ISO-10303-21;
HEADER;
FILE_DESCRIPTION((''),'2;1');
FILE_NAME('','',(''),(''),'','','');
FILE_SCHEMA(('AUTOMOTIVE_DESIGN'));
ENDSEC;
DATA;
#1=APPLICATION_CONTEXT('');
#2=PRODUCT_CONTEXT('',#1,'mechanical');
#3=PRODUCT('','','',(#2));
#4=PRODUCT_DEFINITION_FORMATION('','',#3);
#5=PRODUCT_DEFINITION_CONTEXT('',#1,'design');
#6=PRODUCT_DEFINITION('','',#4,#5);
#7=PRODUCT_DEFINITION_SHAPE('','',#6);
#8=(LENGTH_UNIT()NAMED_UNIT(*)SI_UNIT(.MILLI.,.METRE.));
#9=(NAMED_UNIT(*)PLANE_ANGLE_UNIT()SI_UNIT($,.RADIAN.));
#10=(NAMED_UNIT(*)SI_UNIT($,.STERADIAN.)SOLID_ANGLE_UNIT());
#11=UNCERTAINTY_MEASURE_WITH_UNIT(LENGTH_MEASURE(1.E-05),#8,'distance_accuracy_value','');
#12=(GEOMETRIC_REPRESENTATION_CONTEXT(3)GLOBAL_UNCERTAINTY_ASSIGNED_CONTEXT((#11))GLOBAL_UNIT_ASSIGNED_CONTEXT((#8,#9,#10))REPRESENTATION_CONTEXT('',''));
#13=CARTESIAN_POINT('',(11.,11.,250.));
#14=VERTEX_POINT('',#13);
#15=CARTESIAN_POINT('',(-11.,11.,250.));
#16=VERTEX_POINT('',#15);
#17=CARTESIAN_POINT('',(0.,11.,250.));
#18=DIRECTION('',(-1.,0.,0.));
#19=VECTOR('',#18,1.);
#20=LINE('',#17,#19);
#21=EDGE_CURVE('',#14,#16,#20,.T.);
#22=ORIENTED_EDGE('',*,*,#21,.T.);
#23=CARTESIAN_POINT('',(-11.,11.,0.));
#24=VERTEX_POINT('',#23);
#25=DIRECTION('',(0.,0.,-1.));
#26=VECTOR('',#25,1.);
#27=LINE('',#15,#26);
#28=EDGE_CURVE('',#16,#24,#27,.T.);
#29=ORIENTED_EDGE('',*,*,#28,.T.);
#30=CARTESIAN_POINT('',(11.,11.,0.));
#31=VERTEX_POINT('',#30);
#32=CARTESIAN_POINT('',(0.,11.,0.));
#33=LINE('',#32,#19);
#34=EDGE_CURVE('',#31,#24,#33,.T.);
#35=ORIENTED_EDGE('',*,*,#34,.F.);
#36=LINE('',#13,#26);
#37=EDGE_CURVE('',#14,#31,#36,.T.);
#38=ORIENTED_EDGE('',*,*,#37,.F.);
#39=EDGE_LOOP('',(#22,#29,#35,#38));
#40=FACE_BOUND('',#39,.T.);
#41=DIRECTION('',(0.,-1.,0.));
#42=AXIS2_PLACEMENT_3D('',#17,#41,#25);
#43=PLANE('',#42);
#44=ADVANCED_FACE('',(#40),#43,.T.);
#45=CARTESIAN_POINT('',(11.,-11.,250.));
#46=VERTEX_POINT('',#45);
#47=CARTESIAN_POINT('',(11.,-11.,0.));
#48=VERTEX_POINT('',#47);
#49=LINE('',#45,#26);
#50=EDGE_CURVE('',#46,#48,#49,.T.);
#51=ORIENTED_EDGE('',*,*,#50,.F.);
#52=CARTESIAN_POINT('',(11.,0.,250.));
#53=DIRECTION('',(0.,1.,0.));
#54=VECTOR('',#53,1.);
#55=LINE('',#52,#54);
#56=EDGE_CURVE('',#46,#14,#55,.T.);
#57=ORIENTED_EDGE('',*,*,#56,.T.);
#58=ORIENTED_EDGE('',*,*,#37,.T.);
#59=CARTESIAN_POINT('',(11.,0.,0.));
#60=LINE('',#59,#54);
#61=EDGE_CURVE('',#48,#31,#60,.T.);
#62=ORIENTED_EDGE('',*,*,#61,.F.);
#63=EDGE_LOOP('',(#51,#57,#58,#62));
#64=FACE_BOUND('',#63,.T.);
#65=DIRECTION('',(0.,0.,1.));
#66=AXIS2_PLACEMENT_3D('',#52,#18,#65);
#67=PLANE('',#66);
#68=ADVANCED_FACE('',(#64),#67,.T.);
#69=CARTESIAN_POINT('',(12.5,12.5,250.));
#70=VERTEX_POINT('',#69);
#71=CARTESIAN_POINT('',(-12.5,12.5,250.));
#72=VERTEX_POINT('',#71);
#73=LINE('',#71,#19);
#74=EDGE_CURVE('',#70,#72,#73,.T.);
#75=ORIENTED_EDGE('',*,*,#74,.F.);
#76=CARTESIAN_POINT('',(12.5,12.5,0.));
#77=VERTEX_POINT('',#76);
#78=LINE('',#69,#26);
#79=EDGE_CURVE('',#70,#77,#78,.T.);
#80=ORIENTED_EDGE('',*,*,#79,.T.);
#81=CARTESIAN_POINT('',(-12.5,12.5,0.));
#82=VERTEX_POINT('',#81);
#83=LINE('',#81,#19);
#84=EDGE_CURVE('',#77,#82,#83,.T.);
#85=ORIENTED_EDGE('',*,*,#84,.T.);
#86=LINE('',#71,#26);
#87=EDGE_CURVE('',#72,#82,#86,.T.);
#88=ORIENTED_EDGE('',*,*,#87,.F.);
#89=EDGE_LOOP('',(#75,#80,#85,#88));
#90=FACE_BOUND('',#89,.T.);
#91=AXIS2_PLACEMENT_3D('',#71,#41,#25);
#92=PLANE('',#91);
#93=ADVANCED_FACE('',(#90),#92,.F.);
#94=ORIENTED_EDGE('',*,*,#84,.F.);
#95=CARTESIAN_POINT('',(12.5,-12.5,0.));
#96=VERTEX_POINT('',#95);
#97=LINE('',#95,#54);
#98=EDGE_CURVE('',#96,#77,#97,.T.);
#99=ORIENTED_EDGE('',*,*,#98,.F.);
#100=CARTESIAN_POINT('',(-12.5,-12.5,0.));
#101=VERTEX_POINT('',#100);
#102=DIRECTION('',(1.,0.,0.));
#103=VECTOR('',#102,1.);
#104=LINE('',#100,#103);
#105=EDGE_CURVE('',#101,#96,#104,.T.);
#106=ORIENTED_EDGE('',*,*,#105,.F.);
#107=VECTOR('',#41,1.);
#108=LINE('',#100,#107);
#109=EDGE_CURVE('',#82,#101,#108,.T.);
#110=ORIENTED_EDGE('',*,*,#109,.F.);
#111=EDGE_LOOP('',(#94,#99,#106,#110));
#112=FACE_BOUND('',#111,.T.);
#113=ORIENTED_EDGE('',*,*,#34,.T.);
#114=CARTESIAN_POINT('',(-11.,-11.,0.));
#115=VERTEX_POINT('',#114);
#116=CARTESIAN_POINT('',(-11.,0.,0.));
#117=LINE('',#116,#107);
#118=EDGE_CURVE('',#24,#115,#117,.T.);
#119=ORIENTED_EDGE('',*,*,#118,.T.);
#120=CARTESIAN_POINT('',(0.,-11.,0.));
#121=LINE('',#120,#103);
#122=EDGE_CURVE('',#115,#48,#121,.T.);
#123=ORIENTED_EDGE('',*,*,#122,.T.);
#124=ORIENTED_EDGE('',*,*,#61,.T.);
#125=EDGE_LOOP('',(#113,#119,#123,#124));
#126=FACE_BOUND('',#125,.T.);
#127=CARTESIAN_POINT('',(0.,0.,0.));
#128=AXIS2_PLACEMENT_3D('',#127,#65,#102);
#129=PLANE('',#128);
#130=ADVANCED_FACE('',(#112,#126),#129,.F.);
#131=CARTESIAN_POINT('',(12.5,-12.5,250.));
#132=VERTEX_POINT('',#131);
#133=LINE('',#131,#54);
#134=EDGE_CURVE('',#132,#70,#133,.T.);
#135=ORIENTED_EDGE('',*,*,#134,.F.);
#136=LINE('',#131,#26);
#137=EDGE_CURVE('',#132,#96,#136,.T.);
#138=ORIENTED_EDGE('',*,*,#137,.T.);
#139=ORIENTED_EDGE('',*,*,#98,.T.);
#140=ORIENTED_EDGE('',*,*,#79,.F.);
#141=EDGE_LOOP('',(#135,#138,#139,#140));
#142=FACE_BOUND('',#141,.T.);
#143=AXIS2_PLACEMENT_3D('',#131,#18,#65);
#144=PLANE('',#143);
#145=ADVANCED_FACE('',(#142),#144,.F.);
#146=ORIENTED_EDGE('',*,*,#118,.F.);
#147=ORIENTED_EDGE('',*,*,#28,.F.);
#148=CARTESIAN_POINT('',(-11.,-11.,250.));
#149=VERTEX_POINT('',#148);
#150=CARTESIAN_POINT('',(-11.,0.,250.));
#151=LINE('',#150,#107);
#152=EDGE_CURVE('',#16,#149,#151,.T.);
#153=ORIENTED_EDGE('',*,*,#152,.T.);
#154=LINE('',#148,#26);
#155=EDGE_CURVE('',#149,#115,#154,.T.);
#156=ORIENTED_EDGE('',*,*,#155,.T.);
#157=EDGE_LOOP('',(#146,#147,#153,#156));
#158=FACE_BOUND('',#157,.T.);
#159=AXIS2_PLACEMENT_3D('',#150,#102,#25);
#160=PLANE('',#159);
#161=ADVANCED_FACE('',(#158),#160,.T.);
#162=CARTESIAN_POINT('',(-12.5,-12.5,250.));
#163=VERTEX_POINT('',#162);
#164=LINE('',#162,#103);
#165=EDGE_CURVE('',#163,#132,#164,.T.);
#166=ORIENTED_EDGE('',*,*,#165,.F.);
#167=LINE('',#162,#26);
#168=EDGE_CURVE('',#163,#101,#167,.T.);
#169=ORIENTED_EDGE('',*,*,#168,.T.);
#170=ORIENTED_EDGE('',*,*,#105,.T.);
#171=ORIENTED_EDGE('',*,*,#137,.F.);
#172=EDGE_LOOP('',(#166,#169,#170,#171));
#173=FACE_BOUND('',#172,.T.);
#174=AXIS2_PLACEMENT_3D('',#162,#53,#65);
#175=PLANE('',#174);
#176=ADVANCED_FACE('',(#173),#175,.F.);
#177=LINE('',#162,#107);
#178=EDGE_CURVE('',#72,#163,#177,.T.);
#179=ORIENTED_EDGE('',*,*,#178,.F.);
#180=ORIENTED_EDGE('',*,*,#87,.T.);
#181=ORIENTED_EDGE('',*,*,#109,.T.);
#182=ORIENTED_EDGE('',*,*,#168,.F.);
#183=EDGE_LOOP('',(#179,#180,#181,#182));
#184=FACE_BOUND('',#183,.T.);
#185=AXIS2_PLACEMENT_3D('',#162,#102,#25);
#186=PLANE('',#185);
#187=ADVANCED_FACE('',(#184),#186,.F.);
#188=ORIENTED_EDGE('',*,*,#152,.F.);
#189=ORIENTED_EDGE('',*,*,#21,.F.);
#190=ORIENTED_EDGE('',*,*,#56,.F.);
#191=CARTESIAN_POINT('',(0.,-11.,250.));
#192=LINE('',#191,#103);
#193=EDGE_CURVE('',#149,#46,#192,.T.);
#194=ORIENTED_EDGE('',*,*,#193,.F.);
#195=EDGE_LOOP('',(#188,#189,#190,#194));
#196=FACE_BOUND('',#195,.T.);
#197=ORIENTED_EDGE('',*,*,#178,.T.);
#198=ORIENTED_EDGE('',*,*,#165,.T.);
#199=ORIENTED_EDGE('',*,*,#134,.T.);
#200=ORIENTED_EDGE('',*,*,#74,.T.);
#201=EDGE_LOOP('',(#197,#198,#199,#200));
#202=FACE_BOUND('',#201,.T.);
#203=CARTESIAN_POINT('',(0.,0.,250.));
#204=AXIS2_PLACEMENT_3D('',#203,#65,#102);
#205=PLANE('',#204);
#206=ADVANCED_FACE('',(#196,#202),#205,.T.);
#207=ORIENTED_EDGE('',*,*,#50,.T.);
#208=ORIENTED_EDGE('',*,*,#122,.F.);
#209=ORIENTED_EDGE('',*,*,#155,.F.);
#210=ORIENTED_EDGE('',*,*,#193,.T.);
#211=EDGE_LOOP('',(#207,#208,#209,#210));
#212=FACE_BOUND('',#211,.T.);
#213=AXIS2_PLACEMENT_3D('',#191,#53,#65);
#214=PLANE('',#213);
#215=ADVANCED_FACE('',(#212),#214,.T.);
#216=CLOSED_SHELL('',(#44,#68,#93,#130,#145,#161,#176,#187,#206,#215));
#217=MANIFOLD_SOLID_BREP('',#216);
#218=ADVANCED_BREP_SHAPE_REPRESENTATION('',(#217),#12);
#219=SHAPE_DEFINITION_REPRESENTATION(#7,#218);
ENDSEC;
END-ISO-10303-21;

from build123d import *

# Parameters (mm, degrees)
SKETCH_1_W      = 25
SKETCH_1_H      = 25
SKETCH_1_W_2    = 22
SKETCH_1_H_2    = 22
EXTRUDE_1_DEPTH = 250


with BuildPart() as part:
    # Эскиз1 → Вытянуть-Тонкостенный1 (new body)
    with BuildSketch(Plane.XY):
        Rectangle(SKETCH_1_W, SKETCH_1_H)
        Rectangle(SKETCH_1_W_2, SKETCH_1_H_2, mode=Mode.SUBTRACT)
    extrude(amount=EXTRUDE_1_DEPTH)


solid = part.part
